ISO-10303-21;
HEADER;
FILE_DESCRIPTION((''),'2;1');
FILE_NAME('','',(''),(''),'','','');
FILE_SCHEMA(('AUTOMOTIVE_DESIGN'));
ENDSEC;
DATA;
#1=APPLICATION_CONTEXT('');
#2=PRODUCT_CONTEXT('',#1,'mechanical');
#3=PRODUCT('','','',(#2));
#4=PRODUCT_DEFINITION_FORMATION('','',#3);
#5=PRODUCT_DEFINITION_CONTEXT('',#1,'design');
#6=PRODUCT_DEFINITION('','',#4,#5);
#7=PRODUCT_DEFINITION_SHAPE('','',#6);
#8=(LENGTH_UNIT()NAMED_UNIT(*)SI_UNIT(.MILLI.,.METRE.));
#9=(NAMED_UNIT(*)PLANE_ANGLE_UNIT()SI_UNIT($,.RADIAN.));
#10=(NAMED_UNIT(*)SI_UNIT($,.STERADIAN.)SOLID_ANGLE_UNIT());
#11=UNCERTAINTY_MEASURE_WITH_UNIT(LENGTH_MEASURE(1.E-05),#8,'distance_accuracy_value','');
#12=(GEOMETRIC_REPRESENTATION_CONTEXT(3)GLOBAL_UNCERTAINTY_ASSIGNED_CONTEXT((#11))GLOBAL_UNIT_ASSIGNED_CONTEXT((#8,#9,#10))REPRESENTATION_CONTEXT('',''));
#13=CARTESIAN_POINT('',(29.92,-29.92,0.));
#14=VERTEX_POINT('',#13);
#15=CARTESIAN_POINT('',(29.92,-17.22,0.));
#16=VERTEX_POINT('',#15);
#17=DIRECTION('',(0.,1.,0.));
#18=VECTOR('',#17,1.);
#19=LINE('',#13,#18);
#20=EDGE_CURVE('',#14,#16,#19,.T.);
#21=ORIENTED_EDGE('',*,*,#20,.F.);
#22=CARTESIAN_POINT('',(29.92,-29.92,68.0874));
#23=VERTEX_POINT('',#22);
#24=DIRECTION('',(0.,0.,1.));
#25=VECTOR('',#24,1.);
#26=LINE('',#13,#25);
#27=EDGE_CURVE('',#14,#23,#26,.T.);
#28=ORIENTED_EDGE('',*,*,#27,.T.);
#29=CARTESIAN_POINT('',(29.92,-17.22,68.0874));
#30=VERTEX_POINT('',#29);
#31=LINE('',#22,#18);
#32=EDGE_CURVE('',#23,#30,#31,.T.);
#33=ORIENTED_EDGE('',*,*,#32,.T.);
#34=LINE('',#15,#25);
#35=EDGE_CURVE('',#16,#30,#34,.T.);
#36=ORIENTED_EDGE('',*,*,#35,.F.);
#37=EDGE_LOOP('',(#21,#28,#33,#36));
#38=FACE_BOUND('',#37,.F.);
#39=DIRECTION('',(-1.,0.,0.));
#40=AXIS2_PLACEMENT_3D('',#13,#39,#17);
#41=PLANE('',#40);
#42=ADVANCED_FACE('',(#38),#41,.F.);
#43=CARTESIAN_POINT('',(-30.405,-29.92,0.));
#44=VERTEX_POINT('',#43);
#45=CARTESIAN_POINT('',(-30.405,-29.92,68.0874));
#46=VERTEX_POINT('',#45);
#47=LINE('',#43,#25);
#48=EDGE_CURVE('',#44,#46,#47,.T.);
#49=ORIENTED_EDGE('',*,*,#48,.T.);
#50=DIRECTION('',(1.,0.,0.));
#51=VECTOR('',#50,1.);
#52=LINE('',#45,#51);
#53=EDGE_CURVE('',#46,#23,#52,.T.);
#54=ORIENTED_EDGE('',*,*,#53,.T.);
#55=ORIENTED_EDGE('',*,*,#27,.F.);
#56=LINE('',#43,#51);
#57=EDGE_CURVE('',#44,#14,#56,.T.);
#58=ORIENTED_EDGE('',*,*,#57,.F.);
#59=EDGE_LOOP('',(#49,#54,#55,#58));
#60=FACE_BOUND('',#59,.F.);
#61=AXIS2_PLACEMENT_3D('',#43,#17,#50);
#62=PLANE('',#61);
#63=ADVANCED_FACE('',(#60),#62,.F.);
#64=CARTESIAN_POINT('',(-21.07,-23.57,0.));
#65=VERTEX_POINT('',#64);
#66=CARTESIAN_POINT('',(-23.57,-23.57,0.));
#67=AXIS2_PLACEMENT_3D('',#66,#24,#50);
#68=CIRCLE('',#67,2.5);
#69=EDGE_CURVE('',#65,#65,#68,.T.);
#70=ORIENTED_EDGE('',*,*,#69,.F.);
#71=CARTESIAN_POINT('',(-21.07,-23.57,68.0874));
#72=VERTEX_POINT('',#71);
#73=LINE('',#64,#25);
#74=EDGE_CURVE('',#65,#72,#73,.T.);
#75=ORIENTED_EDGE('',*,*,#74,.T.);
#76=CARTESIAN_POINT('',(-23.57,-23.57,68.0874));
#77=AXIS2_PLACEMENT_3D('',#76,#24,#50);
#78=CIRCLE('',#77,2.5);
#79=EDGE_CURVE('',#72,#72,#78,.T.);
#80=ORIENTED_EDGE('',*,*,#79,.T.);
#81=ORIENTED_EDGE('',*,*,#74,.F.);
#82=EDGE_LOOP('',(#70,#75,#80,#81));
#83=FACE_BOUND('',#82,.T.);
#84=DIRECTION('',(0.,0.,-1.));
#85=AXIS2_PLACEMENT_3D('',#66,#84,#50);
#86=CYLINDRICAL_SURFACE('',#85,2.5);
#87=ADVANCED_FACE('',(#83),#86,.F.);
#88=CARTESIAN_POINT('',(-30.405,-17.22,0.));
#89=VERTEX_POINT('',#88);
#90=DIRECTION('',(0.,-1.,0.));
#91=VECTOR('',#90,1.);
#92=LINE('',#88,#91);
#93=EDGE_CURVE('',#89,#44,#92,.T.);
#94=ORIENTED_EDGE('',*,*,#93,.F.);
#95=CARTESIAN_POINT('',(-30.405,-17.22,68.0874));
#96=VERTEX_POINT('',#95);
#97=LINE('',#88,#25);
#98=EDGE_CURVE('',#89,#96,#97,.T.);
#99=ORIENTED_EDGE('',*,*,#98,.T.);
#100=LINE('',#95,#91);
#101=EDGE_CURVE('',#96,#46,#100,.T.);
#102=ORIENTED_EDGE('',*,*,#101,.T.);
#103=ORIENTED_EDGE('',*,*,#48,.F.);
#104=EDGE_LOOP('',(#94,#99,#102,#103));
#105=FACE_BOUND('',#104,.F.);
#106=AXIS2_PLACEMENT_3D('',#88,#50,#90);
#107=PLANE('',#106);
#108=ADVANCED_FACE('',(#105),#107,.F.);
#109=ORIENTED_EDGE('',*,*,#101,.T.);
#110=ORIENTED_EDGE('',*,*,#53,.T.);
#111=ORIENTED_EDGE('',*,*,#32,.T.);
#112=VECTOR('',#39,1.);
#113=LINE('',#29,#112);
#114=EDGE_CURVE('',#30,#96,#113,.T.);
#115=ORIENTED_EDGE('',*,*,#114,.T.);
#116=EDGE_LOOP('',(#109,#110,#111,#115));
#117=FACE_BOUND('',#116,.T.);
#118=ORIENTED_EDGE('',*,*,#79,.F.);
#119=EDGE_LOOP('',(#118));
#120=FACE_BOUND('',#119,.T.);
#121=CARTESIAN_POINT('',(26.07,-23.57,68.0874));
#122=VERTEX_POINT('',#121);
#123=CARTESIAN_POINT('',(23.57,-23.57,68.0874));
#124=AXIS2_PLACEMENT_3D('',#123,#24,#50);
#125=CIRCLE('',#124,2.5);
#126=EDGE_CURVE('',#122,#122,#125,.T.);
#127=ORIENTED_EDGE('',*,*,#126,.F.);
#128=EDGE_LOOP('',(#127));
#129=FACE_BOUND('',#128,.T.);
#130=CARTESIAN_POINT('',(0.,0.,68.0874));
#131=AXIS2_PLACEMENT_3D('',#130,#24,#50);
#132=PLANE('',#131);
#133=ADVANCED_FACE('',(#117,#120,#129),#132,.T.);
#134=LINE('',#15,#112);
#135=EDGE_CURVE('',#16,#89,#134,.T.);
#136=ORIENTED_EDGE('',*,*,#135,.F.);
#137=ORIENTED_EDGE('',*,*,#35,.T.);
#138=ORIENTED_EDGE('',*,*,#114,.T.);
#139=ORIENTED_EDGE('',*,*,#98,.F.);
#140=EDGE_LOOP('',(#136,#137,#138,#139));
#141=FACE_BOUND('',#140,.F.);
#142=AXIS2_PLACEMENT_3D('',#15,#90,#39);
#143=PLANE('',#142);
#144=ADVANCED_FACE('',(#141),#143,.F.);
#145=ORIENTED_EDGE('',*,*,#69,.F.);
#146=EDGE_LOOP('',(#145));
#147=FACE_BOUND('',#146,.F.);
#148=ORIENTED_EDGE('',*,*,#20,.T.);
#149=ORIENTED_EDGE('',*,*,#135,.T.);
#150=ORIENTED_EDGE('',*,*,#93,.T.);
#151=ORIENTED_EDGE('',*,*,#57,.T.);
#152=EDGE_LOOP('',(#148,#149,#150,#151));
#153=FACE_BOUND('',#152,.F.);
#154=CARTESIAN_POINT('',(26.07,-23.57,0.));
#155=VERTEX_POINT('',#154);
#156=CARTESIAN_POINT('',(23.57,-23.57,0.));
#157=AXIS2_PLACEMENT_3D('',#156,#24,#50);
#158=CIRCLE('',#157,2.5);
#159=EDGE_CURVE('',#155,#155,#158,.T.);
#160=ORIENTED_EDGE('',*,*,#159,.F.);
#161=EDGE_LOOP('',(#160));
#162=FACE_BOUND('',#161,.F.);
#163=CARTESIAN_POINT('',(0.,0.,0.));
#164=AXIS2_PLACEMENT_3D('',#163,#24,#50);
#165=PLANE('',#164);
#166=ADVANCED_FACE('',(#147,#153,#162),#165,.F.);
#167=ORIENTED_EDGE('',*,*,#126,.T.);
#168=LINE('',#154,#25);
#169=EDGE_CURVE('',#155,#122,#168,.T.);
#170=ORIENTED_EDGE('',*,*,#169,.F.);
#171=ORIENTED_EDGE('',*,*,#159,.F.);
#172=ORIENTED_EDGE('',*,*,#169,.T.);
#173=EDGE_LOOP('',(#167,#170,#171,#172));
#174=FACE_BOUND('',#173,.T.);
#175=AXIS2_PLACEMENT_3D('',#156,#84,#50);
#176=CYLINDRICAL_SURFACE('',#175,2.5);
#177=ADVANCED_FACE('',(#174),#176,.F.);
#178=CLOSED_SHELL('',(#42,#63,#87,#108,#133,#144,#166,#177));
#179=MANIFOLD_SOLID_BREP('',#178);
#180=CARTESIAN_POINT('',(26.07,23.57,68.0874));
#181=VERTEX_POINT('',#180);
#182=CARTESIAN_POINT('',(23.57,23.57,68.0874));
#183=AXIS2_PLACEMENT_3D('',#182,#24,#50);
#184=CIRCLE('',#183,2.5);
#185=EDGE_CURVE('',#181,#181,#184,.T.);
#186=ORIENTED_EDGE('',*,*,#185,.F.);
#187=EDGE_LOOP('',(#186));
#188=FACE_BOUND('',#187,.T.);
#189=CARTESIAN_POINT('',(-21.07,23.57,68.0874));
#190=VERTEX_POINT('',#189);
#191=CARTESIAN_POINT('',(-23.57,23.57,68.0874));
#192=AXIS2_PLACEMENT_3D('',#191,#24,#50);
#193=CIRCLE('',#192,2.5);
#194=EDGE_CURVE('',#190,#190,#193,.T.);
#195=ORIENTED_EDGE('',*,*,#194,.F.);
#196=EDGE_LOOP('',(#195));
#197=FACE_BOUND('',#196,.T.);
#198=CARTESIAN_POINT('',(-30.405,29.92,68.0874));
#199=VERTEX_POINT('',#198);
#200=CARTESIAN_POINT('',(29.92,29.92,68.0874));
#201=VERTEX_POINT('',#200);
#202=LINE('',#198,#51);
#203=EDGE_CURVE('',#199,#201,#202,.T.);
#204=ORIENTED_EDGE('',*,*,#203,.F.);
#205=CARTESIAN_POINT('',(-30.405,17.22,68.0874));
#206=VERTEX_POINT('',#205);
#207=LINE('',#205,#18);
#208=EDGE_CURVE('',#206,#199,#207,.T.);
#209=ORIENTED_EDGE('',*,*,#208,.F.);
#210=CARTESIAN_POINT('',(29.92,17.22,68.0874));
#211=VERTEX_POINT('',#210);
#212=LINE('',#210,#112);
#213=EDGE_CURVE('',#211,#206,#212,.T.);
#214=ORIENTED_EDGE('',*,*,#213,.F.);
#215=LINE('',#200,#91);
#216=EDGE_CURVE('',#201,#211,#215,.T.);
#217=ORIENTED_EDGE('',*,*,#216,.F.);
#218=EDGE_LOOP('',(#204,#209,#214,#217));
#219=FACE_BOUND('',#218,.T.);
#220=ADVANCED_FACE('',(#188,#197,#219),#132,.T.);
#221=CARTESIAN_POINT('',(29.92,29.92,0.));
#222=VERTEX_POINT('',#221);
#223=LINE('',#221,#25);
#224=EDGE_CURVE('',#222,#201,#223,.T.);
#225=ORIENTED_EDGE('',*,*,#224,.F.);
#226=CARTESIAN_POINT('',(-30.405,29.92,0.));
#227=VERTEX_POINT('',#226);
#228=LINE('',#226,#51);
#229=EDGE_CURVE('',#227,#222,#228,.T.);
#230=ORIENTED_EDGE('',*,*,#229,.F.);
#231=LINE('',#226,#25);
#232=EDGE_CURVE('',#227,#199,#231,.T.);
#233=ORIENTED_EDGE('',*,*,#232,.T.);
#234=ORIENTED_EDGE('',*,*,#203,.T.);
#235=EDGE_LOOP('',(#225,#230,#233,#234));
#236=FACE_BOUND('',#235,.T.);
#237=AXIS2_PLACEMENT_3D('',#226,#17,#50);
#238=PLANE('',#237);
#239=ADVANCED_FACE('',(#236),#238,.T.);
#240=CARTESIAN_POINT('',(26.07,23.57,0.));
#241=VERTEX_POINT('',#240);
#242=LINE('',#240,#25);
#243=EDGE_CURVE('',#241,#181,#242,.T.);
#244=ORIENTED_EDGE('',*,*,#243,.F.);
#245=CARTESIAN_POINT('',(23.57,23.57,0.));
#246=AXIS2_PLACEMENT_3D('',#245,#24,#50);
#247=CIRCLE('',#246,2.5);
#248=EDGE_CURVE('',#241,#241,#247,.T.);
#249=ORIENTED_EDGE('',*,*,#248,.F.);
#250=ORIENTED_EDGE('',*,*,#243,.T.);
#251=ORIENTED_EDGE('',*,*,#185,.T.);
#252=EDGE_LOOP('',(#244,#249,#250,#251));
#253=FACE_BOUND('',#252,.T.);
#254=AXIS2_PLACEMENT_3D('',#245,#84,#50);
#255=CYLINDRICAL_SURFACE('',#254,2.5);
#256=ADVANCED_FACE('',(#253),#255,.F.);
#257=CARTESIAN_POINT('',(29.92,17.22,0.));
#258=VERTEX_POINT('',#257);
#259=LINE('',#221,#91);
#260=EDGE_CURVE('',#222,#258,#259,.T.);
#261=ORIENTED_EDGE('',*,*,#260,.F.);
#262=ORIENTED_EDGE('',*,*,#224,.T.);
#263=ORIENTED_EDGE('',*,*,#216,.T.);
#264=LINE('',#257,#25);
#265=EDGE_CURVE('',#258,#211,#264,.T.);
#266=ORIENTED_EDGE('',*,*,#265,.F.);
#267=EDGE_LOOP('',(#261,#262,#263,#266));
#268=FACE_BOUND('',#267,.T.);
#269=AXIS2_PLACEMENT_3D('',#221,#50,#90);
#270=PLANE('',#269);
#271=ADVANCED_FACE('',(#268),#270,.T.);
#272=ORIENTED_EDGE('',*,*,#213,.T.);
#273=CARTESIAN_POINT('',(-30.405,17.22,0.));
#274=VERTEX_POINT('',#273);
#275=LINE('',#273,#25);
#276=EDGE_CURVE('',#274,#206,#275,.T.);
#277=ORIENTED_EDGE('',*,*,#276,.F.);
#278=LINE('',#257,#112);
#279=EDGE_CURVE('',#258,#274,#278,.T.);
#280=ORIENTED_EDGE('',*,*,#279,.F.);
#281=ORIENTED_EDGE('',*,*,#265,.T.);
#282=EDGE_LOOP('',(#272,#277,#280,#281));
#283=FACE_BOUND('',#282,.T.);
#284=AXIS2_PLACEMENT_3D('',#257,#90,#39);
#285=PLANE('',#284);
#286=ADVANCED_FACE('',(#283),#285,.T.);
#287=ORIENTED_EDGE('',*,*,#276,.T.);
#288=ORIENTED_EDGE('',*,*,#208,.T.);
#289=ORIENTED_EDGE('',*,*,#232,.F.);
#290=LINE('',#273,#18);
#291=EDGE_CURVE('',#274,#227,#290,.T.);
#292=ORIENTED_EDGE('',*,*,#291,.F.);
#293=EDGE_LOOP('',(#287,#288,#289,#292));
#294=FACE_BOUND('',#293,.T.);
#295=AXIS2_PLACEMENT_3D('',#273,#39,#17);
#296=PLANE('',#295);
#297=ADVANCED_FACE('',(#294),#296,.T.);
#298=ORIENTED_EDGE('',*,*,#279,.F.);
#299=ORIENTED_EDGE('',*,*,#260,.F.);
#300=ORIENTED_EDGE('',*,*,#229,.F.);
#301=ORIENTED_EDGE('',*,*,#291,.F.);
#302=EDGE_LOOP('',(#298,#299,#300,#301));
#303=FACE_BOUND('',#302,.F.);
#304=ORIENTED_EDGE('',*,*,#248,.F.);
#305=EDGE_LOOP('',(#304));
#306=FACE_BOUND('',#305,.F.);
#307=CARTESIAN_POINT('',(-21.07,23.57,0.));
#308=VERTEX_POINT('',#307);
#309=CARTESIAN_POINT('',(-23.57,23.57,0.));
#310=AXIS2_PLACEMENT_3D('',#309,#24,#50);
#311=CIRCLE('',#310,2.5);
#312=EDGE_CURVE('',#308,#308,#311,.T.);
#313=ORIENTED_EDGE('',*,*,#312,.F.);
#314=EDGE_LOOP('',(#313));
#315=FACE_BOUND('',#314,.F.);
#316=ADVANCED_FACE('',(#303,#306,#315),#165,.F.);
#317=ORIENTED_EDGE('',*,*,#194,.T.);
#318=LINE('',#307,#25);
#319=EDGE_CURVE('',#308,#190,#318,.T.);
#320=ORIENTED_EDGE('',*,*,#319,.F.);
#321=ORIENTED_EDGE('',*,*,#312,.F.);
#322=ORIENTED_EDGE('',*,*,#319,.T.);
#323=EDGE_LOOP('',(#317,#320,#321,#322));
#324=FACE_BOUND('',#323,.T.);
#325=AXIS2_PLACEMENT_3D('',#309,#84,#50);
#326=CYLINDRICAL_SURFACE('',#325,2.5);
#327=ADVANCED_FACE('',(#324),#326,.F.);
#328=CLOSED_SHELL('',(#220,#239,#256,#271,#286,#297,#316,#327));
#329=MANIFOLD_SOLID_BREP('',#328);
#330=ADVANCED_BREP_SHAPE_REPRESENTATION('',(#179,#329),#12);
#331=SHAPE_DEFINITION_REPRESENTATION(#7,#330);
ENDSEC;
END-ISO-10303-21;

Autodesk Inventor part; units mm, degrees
ref_plane "YZ Plane" through (0, 0, 0) normal (1, 0, 0) x (0, 1, 0)
ref_plane "XZ Plane" through (0, 0, 0) normal (0, 1, 0) x (-1, 0, 0)
sketch "Sketch1" plane through (0, 0, 0) normal (0, 0, 1) x (1, 0, 0)
  circle A0 centre (23.57, 23.57) radius 2.5 projected
  circle A1 centre (23.57, -23.57) radius 2.5 projected
  circle A2 centre (-23.57, -23.57) radius 2.5 projected
  circle A3 centre (-23.57, 23.57) radius 2.5 projected
  arc A4 (8.76, 9.1953) -> (9.467, 8.4656) centre (0, 0) ccw projected
  arc A5 (10.897, -6.5227) -> (11.0973, 6.1758) centre (0, 0) ccw projected
  circle A6 centre (0, 0) radius 15.875
  line L0 (-30.405, 29.92) -> (29.92, 29.92)
  line L1 (29.92, 29.92) -> (29.92, 17.22)
  line L2 (29.92, 17.22) -> (-30.405, 17.22)
  line L3 (-30.405, 17.22) -> (-30.405, 29.92)
  line L4 (23.57, 23.57) -> (23.57, -23.57) construction
  line L5 (-23.57, -23.57) -> (-23.57, 23.57) construction
  line L6 (23.57, 0) -> (-23.57, 0) construction
  line L7 (-30.405, -29.92) -> (29.92, -29.92)
  line L8 (29.92, -29.92) -> (29.92, -17.22)
  line L9 (29.92, -17.22) -> (-30.405, -17.22)
  line L10 (-30.405, -17.22) -> (-30.405, -29.92)
  point P0 (0, 0)
  dimension "d0" = 31.75
  dimension "d1" = 6.35
  dimension "d2" = 6.35
  dimension "d3" = 60.325
  dimension "d4" = 6.35
ref_plane "Work Plane1" through (-28.3245, -28.3245, 68.0874) normal (0, 0, -1) x (0, 1, 0)
extrude "Extrusion1" add sketch "Sketch1" along normal up to surface (68.0874 mm away) contours L0 L1 L2 L3 | L10 L9 L8 L7
properties part number "Stepper Spacer Y"
